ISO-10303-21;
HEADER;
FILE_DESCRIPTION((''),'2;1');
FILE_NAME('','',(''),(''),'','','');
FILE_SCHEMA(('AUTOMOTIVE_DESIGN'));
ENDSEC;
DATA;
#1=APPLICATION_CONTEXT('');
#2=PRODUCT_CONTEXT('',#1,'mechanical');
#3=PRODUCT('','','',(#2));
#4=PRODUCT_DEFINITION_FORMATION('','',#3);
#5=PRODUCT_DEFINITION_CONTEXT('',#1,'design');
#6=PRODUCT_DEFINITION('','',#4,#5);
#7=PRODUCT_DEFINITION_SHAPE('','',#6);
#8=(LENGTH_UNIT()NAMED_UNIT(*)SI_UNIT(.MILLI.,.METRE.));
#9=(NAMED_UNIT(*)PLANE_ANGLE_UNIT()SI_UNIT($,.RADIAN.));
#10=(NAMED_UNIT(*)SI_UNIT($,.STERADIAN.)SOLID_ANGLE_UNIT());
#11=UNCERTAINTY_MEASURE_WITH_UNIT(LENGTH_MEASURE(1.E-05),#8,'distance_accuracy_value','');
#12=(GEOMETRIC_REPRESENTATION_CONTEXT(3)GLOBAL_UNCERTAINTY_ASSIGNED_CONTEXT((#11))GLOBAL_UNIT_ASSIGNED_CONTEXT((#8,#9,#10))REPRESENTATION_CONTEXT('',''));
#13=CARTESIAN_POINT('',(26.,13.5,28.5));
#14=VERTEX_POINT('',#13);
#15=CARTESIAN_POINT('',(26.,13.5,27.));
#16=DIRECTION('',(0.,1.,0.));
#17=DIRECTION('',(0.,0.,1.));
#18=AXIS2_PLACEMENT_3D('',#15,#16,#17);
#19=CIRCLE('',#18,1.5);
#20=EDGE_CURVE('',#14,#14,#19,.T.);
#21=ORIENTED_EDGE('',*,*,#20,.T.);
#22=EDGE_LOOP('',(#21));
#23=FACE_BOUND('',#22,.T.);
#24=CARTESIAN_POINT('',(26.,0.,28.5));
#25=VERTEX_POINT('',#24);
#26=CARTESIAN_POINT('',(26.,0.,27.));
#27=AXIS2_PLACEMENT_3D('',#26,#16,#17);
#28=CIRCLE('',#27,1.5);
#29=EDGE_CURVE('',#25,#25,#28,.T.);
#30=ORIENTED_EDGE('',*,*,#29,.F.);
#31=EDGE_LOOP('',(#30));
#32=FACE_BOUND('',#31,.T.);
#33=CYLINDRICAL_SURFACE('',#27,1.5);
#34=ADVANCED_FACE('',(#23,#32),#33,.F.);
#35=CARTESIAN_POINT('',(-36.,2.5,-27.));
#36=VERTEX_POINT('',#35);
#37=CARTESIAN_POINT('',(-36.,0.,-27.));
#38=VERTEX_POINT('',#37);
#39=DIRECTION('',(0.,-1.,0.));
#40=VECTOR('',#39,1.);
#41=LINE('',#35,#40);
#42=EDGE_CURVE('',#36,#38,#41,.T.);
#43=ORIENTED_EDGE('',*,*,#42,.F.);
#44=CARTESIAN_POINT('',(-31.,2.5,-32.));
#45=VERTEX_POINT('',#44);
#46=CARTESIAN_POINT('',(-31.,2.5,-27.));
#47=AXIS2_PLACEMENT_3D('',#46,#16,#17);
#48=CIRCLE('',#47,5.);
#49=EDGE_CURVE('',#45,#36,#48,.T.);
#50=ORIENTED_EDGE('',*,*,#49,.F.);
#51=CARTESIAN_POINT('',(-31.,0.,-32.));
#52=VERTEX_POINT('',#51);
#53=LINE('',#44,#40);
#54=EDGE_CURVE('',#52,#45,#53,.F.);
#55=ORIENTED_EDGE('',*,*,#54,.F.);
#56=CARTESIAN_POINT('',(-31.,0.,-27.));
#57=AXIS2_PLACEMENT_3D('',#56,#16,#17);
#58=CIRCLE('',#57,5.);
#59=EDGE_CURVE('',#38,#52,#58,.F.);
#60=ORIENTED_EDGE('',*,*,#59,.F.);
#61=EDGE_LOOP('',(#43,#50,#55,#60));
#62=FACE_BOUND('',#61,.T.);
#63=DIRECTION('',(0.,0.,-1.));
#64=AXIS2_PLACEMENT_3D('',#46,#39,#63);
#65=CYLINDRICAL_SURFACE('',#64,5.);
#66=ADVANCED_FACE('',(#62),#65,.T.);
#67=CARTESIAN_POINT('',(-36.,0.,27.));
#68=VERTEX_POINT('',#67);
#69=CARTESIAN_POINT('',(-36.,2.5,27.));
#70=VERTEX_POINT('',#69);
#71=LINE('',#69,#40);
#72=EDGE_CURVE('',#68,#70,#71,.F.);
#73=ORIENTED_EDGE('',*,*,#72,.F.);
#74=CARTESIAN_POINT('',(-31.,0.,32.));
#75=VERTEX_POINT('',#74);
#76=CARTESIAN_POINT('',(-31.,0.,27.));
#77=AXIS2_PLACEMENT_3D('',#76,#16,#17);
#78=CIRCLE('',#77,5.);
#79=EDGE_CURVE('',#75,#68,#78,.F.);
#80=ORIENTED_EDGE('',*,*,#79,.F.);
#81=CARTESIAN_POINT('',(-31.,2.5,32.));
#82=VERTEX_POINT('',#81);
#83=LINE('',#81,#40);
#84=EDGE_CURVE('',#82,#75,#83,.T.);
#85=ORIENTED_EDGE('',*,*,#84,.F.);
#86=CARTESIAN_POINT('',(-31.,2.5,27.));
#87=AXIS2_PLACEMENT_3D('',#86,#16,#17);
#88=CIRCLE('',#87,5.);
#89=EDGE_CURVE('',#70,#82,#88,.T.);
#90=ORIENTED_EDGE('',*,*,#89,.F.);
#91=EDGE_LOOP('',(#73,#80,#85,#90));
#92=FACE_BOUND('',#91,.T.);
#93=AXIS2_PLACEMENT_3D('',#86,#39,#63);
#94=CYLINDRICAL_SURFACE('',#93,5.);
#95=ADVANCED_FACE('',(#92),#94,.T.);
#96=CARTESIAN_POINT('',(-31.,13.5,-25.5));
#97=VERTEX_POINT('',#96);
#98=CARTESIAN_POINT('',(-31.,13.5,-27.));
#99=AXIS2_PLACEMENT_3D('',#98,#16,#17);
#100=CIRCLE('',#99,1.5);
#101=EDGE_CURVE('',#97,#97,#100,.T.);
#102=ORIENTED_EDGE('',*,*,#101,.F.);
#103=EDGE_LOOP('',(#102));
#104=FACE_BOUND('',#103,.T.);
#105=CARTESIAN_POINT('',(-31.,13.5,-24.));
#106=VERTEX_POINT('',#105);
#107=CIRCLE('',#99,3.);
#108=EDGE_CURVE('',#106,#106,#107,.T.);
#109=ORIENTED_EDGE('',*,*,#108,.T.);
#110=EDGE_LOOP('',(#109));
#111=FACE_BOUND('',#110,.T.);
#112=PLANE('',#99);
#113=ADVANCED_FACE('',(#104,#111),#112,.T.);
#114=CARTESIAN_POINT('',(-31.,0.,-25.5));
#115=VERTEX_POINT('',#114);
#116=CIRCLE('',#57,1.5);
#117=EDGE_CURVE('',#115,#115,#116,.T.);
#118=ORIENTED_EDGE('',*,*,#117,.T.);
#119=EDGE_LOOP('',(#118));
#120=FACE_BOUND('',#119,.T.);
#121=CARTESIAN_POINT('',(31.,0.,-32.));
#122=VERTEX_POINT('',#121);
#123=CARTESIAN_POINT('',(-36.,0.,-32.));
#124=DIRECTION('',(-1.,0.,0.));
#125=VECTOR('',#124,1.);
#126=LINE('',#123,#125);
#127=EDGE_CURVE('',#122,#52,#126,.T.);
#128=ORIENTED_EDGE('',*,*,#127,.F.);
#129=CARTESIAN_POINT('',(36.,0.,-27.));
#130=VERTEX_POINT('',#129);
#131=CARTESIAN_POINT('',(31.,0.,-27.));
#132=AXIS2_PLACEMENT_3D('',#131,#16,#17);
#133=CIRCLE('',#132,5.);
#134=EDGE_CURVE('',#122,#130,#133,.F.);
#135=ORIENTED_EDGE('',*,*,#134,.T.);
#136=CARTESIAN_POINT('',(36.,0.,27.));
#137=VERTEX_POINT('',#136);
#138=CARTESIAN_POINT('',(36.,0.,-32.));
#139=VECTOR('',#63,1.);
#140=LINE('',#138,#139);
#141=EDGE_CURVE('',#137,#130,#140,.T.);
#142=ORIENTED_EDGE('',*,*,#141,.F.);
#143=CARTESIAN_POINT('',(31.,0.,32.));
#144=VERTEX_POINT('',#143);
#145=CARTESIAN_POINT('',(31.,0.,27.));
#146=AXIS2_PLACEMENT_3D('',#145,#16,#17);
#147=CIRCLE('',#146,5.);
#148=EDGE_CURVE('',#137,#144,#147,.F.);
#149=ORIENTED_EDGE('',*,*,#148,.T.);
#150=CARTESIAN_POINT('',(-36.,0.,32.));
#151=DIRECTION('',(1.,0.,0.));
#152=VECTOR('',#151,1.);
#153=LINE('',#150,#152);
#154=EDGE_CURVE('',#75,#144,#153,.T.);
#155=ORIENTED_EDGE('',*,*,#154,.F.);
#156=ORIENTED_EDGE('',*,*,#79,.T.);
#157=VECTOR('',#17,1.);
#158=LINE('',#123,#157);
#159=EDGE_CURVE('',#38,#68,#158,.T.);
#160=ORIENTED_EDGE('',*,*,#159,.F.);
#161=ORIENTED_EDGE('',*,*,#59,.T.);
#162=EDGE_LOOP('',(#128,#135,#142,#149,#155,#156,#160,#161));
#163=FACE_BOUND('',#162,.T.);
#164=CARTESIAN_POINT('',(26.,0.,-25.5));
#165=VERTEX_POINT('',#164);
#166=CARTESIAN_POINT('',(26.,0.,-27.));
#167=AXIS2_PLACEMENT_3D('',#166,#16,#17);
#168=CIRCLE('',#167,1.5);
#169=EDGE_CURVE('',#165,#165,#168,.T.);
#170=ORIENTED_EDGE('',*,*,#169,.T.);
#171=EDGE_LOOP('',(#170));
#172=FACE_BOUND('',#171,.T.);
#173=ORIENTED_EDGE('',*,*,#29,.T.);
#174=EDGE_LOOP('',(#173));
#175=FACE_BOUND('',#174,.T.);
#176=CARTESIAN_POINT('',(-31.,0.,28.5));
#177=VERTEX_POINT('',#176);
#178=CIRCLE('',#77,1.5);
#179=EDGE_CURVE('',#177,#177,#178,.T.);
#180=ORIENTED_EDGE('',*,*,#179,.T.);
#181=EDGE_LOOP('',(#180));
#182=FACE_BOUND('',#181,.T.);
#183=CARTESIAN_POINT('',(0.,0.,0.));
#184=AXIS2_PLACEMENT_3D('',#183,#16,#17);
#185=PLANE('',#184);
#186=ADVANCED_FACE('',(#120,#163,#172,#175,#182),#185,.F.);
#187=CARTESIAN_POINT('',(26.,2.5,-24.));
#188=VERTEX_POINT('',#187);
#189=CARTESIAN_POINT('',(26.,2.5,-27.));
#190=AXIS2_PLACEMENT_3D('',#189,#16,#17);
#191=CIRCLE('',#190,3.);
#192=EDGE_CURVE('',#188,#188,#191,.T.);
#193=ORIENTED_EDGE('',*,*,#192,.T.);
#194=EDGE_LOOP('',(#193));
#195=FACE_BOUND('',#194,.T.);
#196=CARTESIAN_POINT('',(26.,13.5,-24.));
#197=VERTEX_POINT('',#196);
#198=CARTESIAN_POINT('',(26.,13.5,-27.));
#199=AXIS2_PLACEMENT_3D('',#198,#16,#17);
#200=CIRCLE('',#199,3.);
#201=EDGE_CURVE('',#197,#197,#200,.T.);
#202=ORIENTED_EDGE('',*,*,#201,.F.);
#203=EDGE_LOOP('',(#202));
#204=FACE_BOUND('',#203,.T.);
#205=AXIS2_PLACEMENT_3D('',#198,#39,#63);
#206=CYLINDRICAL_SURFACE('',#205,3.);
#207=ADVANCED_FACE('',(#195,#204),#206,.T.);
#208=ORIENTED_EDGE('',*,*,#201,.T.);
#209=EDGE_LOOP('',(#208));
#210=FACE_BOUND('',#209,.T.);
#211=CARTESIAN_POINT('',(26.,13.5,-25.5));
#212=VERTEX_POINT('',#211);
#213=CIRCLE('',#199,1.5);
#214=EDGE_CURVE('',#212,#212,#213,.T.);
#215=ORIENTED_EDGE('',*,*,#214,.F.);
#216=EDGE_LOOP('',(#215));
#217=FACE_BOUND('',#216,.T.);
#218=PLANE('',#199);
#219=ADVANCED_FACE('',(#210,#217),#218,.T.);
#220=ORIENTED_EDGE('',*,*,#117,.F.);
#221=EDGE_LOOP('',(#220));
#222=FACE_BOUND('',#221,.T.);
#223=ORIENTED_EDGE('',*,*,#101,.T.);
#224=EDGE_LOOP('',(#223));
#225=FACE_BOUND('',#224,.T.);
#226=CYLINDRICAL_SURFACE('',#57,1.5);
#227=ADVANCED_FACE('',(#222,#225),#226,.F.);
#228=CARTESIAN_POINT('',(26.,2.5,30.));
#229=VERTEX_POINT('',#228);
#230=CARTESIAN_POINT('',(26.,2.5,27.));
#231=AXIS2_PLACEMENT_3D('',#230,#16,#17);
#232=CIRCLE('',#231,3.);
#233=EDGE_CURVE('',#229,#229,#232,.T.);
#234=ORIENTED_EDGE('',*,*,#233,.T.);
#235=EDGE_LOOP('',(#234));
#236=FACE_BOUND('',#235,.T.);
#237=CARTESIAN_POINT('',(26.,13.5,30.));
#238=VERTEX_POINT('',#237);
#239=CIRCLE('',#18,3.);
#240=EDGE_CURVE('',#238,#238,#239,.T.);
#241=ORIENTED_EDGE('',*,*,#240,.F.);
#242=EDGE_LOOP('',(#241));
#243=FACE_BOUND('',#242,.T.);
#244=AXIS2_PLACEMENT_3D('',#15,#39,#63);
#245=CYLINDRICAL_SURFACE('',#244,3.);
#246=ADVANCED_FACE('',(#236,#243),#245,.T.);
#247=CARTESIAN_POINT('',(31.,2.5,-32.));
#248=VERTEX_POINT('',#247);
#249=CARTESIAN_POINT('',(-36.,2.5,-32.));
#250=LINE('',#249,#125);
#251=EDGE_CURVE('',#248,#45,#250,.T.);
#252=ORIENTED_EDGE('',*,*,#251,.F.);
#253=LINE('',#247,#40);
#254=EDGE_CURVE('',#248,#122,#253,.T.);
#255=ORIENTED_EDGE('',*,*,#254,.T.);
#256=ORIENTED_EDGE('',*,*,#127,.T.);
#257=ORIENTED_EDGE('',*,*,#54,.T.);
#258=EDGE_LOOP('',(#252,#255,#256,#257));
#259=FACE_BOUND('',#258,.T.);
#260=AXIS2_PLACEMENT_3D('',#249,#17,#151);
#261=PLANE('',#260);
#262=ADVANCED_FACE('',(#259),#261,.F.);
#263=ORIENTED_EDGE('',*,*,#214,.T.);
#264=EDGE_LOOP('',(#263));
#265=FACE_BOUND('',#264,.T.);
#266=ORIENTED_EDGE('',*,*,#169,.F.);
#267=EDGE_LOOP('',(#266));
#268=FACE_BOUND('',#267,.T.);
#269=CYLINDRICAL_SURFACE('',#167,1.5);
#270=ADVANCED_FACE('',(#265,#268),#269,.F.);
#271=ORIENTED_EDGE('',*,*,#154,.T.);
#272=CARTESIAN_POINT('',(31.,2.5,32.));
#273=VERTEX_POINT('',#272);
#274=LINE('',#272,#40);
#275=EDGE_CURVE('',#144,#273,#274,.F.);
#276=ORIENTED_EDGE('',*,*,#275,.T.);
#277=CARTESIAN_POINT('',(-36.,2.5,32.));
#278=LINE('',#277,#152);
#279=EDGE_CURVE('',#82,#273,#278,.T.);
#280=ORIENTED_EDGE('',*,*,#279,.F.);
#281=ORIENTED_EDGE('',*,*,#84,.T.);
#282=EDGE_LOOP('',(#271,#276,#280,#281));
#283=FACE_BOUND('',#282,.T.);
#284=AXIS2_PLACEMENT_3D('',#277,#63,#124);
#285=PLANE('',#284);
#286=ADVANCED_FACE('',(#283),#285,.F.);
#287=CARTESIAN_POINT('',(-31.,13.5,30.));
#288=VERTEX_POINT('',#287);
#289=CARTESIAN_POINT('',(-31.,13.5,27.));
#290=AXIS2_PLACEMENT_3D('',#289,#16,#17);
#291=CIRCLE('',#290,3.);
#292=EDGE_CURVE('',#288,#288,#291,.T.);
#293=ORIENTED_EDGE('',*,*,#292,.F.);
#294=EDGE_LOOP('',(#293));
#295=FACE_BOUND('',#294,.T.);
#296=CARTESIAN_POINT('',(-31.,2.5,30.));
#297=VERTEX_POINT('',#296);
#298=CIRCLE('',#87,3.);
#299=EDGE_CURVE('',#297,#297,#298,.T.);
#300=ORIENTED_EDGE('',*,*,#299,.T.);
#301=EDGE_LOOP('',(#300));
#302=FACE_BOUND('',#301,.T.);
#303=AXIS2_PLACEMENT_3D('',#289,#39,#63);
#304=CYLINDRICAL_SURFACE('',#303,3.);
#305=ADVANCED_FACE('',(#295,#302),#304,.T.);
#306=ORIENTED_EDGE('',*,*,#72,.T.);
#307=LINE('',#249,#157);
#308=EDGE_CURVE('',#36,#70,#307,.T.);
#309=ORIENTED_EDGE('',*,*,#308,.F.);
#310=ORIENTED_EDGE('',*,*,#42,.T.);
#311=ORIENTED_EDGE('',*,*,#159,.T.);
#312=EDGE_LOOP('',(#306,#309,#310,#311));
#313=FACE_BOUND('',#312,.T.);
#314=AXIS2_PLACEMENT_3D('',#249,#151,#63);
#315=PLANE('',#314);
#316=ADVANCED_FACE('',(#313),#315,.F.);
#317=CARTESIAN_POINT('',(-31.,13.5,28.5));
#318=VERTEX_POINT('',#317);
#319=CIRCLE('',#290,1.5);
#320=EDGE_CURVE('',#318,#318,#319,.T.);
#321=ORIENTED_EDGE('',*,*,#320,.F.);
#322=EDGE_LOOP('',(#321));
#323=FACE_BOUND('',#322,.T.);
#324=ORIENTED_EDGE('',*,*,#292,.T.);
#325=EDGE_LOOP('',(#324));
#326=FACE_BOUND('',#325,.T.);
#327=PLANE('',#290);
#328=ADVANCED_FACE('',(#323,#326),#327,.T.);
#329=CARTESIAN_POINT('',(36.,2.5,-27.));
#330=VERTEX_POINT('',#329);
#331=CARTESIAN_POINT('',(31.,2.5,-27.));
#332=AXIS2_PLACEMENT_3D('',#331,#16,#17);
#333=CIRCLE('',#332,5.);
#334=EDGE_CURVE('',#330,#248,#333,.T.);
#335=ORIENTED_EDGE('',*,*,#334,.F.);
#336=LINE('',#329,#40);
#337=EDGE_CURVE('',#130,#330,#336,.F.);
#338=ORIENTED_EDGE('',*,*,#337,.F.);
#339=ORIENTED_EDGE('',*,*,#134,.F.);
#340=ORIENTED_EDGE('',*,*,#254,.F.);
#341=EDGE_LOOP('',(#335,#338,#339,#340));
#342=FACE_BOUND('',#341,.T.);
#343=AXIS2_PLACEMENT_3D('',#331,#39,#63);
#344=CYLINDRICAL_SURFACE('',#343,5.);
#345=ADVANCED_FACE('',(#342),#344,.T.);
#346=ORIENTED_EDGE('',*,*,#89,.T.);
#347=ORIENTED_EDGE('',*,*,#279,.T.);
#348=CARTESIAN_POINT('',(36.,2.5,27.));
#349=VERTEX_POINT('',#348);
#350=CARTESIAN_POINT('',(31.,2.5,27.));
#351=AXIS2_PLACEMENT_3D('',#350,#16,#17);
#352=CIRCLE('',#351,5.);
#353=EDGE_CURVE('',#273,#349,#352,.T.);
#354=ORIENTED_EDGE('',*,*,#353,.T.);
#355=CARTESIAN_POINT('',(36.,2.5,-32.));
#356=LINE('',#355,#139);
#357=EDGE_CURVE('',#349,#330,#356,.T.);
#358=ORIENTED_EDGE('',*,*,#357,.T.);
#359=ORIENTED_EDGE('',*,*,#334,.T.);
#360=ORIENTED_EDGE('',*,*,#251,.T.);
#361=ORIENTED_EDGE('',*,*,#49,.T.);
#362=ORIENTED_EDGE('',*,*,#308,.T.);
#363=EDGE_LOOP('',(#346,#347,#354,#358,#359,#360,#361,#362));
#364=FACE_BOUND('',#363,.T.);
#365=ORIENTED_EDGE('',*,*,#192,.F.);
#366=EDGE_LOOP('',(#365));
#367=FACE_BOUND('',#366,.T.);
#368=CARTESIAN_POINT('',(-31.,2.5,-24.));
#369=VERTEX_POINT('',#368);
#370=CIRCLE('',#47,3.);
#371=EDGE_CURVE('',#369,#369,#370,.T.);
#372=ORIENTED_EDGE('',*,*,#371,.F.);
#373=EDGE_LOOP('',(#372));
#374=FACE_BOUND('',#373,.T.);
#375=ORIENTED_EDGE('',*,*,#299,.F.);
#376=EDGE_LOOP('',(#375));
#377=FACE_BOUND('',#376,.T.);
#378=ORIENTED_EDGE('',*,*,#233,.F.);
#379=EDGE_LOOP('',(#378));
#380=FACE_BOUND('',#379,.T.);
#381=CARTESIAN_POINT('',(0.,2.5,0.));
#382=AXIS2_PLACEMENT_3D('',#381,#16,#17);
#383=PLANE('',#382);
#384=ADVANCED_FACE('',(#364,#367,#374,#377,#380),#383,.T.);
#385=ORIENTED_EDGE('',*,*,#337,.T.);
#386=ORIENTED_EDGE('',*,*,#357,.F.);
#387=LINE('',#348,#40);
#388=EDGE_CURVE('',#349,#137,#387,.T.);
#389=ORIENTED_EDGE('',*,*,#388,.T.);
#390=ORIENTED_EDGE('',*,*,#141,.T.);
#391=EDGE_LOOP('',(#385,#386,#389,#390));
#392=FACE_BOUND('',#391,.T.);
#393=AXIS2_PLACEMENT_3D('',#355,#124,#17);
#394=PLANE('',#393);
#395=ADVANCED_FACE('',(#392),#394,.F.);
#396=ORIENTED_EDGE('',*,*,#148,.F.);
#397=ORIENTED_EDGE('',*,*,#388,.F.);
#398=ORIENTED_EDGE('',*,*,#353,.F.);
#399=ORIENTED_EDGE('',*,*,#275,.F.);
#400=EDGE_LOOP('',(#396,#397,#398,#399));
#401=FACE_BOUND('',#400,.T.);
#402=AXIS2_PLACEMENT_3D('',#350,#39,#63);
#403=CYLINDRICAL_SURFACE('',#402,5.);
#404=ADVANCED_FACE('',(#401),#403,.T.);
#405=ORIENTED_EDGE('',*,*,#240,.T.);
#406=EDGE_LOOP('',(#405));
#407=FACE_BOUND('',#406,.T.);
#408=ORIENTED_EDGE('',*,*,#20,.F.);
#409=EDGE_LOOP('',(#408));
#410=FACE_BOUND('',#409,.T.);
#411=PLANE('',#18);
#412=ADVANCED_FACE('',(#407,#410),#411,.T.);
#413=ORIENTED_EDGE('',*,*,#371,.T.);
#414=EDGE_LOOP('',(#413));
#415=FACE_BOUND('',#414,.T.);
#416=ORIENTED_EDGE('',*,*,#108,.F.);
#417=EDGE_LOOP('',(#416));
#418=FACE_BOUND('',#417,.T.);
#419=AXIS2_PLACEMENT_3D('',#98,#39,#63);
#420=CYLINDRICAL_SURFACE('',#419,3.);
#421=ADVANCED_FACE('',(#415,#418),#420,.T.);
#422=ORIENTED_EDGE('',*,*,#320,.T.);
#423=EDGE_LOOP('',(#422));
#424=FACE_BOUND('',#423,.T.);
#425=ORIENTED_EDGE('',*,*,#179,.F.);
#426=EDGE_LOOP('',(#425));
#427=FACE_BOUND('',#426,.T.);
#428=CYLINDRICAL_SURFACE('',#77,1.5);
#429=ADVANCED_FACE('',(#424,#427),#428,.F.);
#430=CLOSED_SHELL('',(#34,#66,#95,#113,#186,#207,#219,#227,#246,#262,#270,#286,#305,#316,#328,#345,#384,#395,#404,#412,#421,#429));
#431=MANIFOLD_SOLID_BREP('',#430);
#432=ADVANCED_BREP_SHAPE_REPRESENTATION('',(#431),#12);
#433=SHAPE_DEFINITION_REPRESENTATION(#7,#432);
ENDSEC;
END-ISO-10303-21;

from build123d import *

# Parameters (mm, degrees)
SKETCH1_W               = 72
SKETCH1_H               = 64
BOSS_EXTRUDE1_DEPTH     = 2.5
SKETCH2_R               = 3
BOSS_EXTRUDE2_DEPTH     = 11
CUT_EXTRUDE1_DEPTH      = 51.02249494
CUT_EXTRUDE1_DEPTH_BACK = 51.02249494
SKETCH3_R               = 1.5
FILLET1_R               = 5


with BuildPart() as part:
    # Sketch1 → Boss-Extrude1 (new body)
    with BuildSketch(Plane(origin=(0, 0, 0), x_dir=(1, 0, 0), z_dir=(0, 1, 0))):
        Rectangle(SKETCH1_W, SKETCH1_H)
    extrude(amount=BOSS_EXTRUDE1_DEPTH)

    # Sketch2 → Boss-Extrude2 (add)
    with BuildSketch(Plane(origin=(0, 2.5, 0), x_dir=(1, 0, 0), z_dir=(0, 1, 0))):
        with Locations(Location((-31, 27, 0), (0, 0, 270))):
            Circle(SKETCH2_R)
        with Locations(Location((26, 27, 0), (0, 0, 270))):
            Circle(SKETCH2_R)
        with Locations(Location((-31, -27, 0), (0, 0, 270))):
            Circle(SKETCH2_R)
        with Locations(Location((26, -27, 0), (0, 0, 270))):
            Circle(SKETCH2_R)
    extrude(amount=BOSS_EXTRUDE2_DEPTH)

    # Sketch3 → Cut-Extrude1 (cut, two sides: drawn at the far end of the back side and taken through both)
    with BuildSketch(Plane(origin=(0, 13.5, 0), x_dir=(1, 0, 0), z_dir=(0, 1, 0)).offset(-CUT_EXTRUDE1_DEPTH_BACK)):
        with Locations(Location((-31, 27, 0), (0, 0, 270))):
            Circle(SKETCH3_R)
        with Locations(Location((-31, -27, 0), (0, 0, 270))):
            Circle(SKETCH3_R)
        with Locations(Location((26, 27, 0), (0, 0, 270))):
            Circle(SKETCH3_R)
        with Locations(Location((26, -27, 0), (0, 0, 270))):
            Circle(SKETCH3_R)
    extrude(amount=CUT_EXTRUDE1_DEPTH + CUT_EXTRUDE1_DEPTH_BACK, mode=Mode.SUBTRACT)

    # Fillet1
    fillet1_edges = [part.edges().sort_by_distance(p)[0] for p in [
        (-36, 1.25, -32),
        (36, 1.25, -32),
        (36, 1.25, 32),
        (-36, 1.25, 32),
    ]]
    fillet(fillet1_edges, radius=FILLET1_R)


solid = part.part
